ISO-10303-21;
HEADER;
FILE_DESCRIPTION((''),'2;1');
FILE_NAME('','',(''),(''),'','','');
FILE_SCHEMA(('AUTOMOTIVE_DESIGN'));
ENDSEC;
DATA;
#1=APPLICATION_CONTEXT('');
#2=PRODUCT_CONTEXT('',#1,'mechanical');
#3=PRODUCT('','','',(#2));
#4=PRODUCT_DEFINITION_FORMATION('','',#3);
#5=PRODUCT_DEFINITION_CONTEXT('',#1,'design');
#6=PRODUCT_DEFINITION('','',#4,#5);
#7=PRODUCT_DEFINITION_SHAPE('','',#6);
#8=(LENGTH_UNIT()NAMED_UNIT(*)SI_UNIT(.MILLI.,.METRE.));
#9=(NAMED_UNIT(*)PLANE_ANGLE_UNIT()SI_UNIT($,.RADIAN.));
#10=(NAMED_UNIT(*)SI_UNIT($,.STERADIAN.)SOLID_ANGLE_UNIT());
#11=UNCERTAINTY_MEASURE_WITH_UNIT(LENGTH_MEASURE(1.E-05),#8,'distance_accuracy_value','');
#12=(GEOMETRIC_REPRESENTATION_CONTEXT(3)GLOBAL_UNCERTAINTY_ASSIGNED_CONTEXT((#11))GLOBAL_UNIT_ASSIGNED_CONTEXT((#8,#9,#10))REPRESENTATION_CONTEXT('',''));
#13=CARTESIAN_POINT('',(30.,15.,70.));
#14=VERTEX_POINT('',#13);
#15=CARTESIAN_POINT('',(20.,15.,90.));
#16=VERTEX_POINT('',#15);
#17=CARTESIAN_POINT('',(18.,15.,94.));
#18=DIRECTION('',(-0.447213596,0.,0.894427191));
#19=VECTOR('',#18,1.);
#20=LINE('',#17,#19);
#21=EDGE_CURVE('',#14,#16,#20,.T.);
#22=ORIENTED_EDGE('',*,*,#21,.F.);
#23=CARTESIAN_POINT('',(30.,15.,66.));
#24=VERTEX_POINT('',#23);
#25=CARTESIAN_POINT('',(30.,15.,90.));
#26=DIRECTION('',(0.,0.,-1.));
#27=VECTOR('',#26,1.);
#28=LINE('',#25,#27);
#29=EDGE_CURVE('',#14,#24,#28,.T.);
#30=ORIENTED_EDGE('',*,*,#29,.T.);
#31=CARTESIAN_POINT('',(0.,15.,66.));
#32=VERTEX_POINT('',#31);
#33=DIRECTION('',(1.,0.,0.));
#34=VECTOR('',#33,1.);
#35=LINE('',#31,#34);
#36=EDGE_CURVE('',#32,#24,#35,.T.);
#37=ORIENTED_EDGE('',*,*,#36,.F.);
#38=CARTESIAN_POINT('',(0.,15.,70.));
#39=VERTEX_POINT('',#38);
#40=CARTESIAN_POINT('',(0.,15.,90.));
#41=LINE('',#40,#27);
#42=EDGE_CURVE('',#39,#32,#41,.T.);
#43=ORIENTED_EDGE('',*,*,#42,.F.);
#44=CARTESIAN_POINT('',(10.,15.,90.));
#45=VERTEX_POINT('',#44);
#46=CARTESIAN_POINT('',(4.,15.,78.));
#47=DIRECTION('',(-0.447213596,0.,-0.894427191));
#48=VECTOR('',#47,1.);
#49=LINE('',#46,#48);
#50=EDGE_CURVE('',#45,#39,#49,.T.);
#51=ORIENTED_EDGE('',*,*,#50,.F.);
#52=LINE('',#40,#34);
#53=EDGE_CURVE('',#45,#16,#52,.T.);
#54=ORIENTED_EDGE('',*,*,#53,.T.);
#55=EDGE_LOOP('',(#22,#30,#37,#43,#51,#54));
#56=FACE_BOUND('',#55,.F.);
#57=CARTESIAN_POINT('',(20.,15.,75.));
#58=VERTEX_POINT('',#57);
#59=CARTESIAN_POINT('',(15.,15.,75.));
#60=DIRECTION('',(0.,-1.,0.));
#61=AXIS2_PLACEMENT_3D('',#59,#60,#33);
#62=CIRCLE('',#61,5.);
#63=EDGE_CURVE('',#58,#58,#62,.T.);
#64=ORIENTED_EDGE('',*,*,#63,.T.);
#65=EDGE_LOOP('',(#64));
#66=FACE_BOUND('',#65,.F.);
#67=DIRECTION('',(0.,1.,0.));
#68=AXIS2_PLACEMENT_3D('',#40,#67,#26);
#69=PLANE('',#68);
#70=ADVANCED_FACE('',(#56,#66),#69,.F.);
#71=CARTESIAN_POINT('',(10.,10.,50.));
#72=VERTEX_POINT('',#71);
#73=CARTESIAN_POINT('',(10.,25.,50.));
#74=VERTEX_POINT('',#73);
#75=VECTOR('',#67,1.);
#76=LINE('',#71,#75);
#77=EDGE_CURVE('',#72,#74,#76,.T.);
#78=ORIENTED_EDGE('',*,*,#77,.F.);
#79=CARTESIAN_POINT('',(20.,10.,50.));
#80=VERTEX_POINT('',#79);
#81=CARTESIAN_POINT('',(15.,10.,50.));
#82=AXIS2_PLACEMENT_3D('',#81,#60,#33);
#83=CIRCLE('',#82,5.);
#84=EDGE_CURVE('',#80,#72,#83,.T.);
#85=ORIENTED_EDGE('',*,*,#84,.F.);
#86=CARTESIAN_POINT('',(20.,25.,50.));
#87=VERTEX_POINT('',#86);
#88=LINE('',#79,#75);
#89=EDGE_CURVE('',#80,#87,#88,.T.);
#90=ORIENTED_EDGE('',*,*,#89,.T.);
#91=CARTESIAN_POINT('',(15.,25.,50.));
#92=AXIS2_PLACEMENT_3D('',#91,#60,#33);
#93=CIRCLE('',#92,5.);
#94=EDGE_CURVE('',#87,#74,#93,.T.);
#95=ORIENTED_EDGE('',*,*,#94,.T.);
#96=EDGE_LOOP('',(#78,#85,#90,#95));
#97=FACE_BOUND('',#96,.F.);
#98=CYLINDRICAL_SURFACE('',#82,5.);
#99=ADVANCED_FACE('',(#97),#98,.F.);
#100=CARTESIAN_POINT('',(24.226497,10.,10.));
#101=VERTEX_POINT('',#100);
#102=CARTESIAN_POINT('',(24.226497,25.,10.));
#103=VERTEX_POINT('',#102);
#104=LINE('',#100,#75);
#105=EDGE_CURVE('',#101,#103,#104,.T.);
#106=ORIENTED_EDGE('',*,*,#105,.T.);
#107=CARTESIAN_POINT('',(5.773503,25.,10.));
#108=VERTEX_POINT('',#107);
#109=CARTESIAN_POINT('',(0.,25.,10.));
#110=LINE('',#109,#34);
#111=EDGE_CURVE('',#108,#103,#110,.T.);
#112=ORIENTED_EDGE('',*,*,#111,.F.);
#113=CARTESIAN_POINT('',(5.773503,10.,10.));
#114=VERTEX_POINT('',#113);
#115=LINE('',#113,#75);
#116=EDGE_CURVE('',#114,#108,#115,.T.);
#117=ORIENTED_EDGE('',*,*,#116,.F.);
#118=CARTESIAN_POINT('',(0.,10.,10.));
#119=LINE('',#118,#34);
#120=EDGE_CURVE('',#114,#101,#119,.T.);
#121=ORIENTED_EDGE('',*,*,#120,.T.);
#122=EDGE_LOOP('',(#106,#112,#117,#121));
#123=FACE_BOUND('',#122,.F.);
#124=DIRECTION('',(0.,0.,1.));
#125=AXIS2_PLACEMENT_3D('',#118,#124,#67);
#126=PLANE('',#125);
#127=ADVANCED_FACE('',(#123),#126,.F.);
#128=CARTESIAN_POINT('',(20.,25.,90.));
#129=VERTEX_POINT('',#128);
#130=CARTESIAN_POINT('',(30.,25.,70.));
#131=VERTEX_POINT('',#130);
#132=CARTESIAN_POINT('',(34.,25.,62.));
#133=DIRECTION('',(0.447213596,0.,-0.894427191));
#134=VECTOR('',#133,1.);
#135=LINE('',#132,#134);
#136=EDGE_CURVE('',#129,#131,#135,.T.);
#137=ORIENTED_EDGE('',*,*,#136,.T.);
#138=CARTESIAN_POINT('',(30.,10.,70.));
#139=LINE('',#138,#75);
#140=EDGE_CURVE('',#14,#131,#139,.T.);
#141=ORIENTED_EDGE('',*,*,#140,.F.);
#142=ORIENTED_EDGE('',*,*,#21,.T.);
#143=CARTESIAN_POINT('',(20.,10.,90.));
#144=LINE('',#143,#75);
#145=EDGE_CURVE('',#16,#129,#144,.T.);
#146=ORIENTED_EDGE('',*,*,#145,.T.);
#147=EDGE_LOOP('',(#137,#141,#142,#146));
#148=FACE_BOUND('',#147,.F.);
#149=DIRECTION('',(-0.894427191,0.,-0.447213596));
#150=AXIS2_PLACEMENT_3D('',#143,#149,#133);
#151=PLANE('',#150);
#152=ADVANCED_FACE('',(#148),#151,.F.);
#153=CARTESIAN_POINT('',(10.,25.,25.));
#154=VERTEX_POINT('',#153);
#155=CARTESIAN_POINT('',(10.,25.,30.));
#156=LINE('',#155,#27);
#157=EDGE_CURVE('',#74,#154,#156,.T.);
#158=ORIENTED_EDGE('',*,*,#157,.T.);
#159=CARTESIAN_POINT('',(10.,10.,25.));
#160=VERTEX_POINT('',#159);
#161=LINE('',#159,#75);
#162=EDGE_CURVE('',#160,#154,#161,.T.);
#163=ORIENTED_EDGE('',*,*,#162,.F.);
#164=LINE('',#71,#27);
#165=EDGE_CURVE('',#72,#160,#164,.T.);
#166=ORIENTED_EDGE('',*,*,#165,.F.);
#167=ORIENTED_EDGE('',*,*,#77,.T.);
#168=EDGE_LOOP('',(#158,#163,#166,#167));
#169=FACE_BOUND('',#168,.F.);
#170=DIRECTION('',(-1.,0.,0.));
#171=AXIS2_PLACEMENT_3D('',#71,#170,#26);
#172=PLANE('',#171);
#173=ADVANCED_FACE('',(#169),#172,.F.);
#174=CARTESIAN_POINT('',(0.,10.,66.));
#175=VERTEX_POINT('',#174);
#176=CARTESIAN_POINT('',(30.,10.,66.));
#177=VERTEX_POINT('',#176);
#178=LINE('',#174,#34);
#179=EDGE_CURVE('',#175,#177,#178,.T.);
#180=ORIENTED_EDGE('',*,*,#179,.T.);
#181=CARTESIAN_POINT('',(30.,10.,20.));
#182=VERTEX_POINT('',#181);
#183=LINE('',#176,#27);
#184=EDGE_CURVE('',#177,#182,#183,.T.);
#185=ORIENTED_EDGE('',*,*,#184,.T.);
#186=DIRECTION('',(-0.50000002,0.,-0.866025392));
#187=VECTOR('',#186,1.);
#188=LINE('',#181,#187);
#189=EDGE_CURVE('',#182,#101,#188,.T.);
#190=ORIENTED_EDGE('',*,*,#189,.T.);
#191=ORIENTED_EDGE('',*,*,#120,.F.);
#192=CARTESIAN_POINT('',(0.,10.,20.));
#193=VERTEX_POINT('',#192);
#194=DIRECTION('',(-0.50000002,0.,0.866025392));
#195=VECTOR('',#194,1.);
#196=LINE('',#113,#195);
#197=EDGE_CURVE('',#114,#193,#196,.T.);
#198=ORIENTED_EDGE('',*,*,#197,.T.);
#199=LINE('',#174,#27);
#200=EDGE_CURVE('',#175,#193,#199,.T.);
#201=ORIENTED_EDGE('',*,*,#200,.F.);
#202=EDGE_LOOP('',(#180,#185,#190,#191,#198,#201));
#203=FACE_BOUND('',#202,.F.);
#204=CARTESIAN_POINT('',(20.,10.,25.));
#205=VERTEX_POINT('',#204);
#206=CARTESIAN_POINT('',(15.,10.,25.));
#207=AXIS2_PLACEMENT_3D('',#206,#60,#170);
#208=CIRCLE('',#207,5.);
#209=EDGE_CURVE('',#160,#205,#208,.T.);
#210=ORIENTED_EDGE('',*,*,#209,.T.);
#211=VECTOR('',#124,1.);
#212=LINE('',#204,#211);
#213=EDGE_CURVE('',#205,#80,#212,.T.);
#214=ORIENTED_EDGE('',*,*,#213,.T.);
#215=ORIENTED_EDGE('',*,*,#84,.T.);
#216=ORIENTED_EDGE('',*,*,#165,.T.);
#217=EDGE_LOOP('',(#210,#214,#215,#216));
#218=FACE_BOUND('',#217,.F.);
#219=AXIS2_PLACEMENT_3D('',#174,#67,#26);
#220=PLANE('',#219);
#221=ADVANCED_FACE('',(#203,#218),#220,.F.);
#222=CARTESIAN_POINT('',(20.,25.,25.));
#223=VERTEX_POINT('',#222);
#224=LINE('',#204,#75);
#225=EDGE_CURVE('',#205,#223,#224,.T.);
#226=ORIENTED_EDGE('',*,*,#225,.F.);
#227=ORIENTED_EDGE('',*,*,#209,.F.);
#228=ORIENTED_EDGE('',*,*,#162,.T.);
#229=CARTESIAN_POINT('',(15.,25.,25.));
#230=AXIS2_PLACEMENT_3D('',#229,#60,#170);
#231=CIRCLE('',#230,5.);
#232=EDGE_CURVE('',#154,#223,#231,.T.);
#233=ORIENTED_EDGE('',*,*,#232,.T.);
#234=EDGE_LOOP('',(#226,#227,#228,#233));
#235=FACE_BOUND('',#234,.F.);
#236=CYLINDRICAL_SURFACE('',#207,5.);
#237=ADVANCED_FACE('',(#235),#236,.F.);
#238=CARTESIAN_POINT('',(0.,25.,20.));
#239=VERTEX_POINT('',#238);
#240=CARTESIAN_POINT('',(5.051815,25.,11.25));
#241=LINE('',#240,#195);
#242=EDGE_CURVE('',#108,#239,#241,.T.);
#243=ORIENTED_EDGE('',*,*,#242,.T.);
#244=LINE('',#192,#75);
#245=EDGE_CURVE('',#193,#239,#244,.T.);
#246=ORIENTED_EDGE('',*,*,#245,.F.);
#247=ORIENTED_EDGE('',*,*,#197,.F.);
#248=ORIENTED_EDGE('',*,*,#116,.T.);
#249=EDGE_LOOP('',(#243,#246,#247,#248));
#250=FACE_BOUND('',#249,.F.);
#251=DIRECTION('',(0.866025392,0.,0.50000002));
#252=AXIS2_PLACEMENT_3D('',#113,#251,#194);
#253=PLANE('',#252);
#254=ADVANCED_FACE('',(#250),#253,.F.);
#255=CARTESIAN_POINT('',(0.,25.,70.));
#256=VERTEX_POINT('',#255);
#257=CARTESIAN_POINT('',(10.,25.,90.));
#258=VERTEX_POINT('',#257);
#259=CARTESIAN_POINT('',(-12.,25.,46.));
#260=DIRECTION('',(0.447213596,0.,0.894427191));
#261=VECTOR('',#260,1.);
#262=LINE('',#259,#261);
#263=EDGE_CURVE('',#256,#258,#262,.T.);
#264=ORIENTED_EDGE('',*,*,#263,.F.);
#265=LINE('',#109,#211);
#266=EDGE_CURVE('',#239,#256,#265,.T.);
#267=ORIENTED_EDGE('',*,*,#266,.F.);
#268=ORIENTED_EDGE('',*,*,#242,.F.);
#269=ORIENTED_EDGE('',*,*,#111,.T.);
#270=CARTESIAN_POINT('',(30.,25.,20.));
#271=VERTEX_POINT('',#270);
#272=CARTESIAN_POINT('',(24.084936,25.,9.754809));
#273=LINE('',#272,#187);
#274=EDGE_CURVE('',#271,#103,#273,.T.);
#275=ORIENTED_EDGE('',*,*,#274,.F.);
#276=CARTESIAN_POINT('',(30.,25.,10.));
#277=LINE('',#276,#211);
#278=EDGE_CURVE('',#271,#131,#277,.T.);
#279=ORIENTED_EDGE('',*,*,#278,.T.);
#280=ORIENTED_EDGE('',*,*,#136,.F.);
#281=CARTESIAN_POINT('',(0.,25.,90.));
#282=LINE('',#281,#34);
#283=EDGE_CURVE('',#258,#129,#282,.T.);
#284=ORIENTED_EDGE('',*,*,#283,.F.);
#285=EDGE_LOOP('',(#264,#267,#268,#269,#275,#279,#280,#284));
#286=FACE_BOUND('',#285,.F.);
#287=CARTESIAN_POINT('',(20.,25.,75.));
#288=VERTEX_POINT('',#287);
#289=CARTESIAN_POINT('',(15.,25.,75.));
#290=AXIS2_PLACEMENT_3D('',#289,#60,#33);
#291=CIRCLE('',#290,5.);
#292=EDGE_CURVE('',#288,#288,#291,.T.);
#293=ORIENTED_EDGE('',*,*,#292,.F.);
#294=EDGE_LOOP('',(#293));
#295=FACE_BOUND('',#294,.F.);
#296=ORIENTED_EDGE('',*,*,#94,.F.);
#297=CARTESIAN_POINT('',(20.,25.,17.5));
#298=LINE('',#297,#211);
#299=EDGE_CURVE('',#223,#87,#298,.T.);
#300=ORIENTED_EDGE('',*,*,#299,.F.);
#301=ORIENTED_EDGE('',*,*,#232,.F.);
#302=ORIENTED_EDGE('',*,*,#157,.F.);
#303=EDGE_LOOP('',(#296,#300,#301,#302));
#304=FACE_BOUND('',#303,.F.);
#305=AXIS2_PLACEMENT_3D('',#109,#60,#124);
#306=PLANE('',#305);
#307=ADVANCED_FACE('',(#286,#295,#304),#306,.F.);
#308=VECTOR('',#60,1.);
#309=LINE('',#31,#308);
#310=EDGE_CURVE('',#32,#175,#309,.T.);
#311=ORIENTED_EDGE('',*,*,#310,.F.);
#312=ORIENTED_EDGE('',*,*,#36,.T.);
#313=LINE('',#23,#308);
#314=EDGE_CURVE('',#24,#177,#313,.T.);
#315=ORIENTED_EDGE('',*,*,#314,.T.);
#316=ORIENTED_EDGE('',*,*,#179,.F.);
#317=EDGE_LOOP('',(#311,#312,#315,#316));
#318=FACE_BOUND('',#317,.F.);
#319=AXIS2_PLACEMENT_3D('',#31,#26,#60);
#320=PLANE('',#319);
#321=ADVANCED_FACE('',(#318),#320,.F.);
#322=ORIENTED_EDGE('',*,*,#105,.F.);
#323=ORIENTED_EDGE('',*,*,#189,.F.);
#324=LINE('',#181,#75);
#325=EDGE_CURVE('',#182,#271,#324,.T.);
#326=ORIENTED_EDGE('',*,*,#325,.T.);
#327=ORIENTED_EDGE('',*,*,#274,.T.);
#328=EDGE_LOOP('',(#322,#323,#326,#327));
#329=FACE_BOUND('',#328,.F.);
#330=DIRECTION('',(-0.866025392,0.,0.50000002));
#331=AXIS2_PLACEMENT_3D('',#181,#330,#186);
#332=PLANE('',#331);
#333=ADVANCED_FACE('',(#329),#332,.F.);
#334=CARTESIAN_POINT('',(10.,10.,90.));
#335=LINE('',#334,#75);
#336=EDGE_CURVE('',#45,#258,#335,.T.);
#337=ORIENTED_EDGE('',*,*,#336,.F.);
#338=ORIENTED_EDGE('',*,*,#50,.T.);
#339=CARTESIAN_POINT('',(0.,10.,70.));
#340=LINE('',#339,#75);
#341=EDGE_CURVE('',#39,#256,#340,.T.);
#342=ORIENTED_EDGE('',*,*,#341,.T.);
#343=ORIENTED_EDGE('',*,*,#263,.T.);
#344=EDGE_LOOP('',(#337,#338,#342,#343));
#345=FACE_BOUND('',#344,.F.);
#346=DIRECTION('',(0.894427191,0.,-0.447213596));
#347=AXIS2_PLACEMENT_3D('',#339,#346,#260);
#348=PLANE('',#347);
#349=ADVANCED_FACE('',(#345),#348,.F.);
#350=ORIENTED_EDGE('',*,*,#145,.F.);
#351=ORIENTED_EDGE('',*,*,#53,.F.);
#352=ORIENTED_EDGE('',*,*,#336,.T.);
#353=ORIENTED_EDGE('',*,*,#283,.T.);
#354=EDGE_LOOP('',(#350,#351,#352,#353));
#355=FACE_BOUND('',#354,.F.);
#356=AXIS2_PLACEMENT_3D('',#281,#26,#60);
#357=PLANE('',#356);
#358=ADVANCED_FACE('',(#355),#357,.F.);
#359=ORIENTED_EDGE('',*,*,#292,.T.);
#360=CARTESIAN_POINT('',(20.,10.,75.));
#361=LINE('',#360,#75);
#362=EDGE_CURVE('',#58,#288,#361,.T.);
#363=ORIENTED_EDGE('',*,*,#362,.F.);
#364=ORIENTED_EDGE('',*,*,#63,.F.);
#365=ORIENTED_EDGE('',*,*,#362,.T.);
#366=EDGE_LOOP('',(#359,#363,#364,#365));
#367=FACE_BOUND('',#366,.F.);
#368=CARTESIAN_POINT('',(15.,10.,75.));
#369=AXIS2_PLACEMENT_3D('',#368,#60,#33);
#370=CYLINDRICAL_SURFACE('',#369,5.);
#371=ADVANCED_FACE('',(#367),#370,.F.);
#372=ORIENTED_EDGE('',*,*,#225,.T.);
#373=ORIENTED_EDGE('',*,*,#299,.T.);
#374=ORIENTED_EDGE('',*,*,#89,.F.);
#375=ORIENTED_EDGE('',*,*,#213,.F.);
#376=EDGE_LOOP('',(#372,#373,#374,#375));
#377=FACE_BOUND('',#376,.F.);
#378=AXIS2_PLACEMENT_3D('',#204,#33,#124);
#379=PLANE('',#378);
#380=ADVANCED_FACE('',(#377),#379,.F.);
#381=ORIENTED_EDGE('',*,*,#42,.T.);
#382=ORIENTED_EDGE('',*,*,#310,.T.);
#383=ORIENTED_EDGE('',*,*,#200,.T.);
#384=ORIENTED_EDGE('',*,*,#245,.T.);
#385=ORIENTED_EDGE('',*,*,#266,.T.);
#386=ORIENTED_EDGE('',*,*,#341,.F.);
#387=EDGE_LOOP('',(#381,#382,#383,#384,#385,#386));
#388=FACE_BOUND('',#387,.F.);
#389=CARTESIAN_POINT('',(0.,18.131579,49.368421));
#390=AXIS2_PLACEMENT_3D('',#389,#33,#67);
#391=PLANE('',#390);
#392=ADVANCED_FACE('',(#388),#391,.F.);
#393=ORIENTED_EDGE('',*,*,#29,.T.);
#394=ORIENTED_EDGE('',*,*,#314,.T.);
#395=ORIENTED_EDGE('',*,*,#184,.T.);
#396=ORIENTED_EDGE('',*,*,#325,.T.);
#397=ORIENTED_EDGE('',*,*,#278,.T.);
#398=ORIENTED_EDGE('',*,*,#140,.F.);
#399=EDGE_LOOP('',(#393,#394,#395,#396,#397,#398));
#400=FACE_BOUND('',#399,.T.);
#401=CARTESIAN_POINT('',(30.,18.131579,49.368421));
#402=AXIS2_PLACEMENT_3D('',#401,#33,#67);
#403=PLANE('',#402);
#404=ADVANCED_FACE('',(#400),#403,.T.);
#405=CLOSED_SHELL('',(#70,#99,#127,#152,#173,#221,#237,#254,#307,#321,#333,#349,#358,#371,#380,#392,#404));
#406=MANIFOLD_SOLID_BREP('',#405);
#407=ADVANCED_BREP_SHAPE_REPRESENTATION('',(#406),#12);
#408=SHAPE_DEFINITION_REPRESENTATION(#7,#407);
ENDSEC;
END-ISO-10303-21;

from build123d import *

# Parameters (mm, degrees)
F1_DEPTH = 30
F2_R     = 5
F3_DEPTH = 15.001
F4_DEPTH = 15.001


with BuildPart() as f1:
    # F0 (on Right) → F1 (new body)
    with BuildSketch(Plane.YZ):
        Polygon((15, 66), (10, 66), (10, 10), (25, 10), (25, 90), (15, 90), align=None)
    extrude(amount=F1_DEPTH)

    # F2 (on face) → F3 (cut, through all)
    with BuildSketch(Plane.XZ.offset(-10)):
        with BuildLine():
            Line((10, 50), (10, 25))
            ThreePointArc((10, 25), (15, 20), (20, 25))
            Line((20, 25), (20, 50))
            ThreePointArc((20, 50), (15, 55), (10, 50))
        make_face()
        with Locations((15, 75)):
            Circle(F2_R)
        Polygon((30, 10), (30, 20), (24.226497, 10), align=None)
        Polygon((5.773503, 10), (0, 20), (0, 10), align=None)
    extrude(amount=-F3_DEPTH, mode=Mode.SUBTRACT)

    # F2 (on face) → F4 (cut, through all)
    with BuildSketch(Plane.XZ.offset(-10)):
        Polygon((0, 70), (10, 90), (0, 90), align=None)
        Polygon((30, 90), (20, 90), (30, 70), align=None)
    extrude(amount=-F4_DEPTH, mode=Mode.SUBTRACT)


solid = f1.part
